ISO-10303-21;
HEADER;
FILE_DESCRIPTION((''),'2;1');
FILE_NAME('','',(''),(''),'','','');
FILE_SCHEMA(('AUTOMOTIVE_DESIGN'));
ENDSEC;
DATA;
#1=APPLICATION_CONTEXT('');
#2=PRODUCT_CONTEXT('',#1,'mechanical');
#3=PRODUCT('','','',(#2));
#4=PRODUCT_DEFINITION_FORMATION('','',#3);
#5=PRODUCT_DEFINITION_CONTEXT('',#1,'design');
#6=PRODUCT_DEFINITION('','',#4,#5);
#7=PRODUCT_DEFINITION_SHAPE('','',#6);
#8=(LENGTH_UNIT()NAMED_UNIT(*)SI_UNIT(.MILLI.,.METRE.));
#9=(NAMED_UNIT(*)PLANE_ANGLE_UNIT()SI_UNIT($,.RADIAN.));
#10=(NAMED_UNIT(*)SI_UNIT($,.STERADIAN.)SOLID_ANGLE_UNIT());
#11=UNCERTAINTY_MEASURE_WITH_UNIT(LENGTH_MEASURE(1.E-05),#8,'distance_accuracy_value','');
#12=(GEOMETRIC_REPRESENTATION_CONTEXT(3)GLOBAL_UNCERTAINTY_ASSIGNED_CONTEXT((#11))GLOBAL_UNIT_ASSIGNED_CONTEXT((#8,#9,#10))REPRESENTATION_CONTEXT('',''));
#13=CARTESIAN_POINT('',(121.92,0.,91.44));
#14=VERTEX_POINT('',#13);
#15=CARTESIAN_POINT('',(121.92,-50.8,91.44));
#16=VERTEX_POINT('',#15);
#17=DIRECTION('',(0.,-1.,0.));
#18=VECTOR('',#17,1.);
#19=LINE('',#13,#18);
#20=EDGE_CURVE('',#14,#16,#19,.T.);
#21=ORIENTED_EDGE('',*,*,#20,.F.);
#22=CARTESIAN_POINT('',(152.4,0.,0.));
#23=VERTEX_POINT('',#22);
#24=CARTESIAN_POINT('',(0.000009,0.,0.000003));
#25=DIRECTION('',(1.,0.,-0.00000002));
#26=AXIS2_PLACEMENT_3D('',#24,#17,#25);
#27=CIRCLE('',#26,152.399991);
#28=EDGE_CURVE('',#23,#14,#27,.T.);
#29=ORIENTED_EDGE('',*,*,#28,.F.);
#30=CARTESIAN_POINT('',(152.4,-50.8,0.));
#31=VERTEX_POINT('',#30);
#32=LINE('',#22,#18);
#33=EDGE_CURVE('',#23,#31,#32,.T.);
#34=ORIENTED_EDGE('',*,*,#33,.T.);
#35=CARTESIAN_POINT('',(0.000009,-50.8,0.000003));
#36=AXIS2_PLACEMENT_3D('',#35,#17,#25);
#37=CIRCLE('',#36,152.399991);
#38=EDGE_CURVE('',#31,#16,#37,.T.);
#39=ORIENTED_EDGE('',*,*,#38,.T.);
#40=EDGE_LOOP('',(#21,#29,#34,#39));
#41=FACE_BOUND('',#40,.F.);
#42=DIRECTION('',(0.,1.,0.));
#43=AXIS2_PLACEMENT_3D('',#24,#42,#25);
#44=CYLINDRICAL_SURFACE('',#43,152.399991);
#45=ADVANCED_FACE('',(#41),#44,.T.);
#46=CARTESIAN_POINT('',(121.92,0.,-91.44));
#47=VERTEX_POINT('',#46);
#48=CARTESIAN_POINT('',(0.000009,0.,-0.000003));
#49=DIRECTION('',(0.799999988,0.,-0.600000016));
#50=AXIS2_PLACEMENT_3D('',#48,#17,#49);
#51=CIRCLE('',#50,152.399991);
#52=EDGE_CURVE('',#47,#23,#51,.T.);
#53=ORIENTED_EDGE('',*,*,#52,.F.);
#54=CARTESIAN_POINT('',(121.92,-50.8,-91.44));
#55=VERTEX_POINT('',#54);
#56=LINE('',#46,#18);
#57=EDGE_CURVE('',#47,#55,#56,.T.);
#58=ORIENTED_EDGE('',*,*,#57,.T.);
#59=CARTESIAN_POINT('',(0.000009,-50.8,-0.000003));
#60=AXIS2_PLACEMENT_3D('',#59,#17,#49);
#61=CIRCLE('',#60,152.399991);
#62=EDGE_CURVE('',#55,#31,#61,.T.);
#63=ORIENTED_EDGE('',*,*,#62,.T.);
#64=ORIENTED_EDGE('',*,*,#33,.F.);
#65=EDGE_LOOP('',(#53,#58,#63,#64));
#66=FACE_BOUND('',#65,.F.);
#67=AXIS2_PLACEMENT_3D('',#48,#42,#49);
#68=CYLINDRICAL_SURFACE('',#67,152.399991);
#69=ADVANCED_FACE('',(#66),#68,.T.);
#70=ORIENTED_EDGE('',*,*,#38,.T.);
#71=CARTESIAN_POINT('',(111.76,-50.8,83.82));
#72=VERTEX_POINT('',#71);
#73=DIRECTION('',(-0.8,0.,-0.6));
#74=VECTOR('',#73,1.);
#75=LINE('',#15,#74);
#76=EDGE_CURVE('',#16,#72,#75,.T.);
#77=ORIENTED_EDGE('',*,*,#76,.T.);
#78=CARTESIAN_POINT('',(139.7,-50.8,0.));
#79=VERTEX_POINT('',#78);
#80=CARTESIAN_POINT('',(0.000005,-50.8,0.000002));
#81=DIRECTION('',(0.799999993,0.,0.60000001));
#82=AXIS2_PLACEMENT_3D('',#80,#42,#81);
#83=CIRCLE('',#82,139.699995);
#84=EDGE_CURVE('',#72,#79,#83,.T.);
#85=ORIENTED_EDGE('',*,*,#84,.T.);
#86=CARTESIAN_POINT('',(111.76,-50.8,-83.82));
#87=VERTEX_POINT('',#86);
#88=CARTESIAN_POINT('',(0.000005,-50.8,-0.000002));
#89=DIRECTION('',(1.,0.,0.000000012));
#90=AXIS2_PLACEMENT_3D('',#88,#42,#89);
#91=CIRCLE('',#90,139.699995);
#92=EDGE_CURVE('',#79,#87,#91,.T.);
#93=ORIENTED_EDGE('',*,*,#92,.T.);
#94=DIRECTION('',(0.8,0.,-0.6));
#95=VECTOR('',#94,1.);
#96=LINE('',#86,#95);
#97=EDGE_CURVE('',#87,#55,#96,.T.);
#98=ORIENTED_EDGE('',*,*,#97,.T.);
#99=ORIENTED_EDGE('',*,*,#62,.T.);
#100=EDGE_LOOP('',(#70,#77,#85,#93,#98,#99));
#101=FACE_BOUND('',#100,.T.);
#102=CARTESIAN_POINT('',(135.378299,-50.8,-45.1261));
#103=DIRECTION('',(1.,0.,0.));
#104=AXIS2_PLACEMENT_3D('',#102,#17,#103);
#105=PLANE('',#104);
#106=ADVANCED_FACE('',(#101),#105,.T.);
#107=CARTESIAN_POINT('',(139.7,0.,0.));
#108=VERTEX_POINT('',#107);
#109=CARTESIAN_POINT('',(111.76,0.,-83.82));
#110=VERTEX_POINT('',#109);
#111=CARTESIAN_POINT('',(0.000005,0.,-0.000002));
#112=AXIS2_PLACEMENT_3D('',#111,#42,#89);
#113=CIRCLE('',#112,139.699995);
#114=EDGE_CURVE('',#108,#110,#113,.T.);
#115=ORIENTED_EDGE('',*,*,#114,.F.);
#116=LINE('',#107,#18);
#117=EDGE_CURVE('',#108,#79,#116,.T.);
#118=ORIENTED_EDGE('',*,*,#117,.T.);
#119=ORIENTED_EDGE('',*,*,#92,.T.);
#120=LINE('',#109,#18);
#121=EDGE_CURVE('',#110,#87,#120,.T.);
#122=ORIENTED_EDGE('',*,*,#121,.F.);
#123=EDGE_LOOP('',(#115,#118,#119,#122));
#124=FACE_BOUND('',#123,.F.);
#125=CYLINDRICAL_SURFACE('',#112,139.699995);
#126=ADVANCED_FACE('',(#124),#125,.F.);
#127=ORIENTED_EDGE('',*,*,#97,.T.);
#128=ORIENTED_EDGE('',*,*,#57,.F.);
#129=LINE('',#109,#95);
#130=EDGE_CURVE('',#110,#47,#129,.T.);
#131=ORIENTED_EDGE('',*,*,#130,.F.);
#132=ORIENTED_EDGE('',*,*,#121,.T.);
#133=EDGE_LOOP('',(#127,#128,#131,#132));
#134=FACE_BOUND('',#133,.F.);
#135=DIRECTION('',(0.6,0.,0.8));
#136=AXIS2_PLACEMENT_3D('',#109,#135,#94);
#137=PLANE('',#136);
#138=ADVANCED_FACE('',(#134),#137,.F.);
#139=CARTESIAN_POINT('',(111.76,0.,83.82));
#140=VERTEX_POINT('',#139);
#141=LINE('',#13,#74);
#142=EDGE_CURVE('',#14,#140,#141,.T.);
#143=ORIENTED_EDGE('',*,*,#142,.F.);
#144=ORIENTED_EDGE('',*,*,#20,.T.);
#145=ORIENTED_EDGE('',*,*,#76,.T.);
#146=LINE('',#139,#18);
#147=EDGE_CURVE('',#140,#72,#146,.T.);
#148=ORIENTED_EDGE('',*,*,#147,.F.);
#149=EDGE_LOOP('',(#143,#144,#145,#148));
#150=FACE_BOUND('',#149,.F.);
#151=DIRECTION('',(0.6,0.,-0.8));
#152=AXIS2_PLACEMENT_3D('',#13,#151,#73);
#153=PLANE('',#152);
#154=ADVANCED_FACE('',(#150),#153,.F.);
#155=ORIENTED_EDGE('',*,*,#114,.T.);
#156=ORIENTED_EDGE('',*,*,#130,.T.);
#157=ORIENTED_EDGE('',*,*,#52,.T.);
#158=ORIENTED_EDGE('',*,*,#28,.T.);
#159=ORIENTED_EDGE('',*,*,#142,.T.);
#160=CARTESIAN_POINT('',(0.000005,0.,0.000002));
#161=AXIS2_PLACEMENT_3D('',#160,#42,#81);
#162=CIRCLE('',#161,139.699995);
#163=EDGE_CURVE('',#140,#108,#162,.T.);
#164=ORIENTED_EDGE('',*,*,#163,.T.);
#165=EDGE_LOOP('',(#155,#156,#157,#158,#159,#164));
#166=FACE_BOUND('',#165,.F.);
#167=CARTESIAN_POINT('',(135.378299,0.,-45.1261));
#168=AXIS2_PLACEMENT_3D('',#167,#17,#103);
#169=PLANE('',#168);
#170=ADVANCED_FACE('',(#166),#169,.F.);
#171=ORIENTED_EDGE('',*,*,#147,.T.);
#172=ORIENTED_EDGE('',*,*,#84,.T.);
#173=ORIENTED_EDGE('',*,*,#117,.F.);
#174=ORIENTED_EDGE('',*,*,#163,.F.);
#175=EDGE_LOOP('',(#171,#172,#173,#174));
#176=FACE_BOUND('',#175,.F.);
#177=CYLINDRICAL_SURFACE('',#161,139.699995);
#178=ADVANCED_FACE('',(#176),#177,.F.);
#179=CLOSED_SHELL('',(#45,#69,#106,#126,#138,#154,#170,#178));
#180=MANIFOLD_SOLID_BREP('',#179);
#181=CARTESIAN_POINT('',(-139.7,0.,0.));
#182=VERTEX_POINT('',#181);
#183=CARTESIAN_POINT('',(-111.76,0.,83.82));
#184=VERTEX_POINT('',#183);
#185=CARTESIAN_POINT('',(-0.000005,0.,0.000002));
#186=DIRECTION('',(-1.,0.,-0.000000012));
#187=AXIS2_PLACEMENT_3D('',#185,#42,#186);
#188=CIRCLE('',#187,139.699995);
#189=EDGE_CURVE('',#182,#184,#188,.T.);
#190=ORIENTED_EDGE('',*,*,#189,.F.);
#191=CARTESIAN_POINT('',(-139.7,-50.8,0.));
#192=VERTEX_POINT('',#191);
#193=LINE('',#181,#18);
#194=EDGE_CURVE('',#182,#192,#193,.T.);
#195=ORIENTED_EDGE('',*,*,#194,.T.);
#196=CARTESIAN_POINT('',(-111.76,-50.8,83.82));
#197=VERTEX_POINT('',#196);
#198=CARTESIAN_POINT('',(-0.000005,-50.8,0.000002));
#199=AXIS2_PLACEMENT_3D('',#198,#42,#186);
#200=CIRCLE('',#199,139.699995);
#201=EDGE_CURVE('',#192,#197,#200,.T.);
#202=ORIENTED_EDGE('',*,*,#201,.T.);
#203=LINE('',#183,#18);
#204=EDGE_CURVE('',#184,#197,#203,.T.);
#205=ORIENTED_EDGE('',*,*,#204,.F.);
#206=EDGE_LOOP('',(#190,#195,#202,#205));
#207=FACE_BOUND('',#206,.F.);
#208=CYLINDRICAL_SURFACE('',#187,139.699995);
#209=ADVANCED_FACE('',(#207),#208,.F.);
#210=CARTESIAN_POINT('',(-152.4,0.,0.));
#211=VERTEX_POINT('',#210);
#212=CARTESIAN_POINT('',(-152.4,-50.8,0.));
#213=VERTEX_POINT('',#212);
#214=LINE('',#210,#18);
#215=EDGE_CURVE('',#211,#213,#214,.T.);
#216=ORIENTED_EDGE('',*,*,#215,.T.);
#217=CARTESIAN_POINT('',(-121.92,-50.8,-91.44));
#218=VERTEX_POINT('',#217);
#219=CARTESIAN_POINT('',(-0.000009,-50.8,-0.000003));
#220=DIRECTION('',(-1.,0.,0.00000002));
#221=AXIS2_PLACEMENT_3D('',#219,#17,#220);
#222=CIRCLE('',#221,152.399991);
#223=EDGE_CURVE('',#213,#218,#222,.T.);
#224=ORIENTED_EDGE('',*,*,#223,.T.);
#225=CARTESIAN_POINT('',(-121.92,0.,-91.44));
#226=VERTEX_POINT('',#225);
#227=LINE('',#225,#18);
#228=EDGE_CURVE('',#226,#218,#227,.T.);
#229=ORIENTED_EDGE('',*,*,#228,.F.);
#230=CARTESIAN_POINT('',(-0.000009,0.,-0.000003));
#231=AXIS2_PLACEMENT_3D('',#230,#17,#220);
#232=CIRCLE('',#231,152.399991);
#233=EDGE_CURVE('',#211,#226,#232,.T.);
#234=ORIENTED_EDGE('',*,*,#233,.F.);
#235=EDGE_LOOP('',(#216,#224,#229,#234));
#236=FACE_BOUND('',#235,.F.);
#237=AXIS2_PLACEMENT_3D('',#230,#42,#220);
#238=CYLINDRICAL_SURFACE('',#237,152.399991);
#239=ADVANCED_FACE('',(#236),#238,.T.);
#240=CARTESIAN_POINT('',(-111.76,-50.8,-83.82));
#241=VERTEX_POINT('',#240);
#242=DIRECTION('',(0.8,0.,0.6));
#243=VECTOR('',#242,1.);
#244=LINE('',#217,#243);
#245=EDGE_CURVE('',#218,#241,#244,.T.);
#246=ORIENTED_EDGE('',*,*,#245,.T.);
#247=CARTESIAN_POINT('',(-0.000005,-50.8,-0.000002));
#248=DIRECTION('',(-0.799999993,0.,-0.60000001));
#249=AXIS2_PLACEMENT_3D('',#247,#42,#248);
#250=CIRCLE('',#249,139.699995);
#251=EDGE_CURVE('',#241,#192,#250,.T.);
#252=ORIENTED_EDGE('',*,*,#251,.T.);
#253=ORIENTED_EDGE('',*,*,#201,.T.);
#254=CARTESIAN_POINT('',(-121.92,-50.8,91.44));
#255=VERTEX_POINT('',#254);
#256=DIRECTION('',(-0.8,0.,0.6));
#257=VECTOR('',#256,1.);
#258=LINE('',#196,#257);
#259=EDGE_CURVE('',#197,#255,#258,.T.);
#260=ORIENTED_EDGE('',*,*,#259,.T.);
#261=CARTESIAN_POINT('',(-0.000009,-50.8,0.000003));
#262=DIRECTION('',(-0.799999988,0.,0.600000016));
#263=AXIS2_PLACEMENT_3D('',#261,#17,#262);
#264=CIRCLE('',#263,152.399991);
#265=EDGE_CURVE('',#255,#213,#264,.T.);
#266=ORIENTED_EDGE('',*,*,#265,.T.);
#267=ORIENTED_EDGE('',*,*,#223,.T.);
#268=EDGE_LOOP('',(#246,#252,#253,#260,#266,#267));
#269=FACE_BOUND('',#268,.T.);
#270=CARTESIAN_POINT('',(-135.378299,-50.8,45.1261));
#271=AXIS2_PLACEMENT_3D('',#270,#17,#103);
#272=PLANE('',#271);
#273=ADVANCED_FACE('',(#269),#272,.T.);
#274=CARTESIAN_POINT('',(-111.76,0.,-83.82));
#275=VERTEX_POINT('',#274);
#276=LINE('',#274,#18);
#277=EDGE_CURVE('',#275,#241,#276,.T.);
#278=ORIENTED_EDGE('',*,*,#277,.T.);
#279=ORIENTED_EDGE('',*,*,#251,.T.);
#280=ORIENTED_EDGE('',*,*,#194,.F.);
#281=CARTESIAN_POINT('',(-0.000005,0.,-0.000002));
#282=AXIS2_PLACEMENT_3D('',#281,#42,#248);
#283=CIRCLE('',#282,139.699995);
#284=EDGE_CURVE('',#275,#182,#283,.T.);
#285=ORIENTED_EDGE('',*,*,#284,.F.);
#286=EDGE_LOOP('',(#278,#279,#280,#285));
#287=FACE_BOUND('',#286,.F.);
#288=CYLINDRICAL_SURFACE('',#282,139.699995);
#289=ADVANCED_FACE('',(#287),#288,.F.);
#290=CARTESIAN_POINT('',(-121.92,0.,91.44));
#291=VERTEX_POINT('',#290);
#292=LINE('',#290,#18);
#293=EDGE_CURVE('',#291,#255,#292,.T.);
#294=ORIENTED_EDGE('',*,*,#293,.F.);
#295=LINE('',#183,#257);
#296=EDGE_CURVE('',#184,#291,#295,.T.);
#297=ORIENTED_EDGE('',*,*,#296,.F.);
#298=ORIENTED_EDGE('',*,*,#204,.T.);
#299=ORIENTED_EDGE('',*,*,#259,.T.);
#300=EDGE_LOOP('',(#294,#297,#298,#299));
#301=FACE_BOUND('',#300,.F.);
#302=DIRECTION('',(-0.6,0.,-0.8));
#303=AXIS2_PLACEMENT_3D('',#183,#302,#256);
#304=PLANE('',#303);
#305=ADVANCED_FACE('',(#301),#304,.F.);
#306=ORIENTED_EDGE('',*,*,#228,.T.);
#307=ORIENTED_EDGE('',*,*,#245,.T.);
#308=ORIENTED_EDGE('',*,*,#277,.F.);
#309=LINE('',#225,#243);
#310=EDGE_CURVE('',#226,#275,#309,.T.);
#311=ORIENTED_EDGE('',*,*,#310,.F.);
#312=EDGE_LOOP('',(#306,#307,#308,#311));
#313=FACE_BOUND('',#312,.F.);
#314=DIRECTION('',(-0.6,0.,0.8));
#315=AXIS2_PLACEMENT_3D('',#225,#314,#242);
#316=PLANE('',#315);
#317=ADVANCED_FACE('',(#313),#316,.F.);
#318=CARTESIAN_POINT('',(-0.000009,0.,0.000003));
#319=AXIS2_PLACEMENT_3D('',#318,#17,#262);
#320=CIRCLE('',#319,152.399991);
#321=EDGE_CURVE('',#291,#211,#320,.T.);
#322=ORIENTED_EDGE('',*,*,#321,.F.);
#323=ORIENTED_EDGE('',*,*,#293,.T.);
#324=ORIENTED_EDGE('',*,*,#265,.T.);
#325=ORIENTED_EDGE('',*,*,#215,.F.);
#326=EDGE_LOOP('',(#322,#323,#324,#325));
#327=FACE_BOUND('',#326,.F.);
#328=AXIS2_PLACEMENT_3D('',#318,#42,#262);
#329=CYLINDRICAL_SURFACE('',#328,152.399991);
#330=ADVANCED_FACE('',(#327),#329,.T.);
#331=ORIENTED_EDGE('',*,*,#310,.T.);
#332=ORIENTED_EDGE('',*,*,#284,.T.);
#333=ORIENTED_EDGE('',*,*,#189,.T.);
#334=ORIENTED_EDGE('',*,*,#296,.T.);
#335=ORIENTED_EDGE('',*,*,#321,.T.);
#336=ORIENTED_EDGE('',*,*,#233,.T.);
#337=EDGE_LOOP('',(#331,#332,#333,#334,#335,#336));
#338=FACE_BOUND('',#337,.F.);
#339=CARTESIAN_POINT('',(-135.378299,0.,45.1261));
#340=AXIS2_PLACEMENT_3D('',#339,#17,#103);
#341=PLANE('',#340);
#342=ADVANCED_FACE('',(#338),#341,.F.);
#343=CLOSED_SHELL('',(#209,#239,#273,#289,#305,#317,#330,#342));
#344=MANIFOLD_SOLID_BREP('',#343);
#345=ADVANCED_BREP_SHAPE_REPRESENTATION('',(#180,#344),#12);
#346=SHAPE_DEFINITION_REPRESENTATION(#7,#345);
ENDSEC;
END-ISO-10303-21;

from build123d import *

# Parameters (mm, degrees)
F1_DEPTH = 50.8


with BuildPart() as f1:
    # F0 (on Front) → F1 (new body)
    with BuildSketch(Plane.XZ):
        with BuildLine():
            ThreePointArc((139.7, 0), (132.531057, -44.177019), (111.76, -83.82))
            Line((111.76, -83.82), (121.92, -91.44))
            ThreePointArc((121.92, -91.44), (144.579335, -48.193112), (152.4, 0))
            Line((152.4, 0), (139.7, 0))
        make_face()
        with BuildLine():
            ThreePointArc((111.76, 83.82), (132.531057, 44.177019), (139.7, 0))
            Line((139.7, 0), (152.4, 0))
            ThreePointArc((152.4, 0), (144.579335, 48.193112), (121.92, 91.44))
            Line((121.92, 91.44), (111.76, 83.82))
        make_face()
        with BuildLine():
            ThreePointArc((-121.92, 91.44), (-144.579335, 48.193112), (-152.4, 0))
            Line((-152.4, 0), (-139.7, 0))
            ThreePointArc((-139.7, 0), (-132.531057, 44.177019), (-111.76, 83.82))
            Line((-111.76, 83.82), (-121.92, 91.44))
        make_face()
        with BuildLine():
            Line((-139.7, 0), (-152.4, 0))
            ThreePointArc((-152.4, 0), (-144.579335, -48.193112), (-121.92, -91.44))
            Line((-121.92, -91.44), (-111.76, -83.82))
            ThreePointArc((-111.76, -83.82), (-132.531057, -44.177019), (-139.7, 0))
        make_face()
    extrude(amount=F1_DEPTH)


solid = f1.part
